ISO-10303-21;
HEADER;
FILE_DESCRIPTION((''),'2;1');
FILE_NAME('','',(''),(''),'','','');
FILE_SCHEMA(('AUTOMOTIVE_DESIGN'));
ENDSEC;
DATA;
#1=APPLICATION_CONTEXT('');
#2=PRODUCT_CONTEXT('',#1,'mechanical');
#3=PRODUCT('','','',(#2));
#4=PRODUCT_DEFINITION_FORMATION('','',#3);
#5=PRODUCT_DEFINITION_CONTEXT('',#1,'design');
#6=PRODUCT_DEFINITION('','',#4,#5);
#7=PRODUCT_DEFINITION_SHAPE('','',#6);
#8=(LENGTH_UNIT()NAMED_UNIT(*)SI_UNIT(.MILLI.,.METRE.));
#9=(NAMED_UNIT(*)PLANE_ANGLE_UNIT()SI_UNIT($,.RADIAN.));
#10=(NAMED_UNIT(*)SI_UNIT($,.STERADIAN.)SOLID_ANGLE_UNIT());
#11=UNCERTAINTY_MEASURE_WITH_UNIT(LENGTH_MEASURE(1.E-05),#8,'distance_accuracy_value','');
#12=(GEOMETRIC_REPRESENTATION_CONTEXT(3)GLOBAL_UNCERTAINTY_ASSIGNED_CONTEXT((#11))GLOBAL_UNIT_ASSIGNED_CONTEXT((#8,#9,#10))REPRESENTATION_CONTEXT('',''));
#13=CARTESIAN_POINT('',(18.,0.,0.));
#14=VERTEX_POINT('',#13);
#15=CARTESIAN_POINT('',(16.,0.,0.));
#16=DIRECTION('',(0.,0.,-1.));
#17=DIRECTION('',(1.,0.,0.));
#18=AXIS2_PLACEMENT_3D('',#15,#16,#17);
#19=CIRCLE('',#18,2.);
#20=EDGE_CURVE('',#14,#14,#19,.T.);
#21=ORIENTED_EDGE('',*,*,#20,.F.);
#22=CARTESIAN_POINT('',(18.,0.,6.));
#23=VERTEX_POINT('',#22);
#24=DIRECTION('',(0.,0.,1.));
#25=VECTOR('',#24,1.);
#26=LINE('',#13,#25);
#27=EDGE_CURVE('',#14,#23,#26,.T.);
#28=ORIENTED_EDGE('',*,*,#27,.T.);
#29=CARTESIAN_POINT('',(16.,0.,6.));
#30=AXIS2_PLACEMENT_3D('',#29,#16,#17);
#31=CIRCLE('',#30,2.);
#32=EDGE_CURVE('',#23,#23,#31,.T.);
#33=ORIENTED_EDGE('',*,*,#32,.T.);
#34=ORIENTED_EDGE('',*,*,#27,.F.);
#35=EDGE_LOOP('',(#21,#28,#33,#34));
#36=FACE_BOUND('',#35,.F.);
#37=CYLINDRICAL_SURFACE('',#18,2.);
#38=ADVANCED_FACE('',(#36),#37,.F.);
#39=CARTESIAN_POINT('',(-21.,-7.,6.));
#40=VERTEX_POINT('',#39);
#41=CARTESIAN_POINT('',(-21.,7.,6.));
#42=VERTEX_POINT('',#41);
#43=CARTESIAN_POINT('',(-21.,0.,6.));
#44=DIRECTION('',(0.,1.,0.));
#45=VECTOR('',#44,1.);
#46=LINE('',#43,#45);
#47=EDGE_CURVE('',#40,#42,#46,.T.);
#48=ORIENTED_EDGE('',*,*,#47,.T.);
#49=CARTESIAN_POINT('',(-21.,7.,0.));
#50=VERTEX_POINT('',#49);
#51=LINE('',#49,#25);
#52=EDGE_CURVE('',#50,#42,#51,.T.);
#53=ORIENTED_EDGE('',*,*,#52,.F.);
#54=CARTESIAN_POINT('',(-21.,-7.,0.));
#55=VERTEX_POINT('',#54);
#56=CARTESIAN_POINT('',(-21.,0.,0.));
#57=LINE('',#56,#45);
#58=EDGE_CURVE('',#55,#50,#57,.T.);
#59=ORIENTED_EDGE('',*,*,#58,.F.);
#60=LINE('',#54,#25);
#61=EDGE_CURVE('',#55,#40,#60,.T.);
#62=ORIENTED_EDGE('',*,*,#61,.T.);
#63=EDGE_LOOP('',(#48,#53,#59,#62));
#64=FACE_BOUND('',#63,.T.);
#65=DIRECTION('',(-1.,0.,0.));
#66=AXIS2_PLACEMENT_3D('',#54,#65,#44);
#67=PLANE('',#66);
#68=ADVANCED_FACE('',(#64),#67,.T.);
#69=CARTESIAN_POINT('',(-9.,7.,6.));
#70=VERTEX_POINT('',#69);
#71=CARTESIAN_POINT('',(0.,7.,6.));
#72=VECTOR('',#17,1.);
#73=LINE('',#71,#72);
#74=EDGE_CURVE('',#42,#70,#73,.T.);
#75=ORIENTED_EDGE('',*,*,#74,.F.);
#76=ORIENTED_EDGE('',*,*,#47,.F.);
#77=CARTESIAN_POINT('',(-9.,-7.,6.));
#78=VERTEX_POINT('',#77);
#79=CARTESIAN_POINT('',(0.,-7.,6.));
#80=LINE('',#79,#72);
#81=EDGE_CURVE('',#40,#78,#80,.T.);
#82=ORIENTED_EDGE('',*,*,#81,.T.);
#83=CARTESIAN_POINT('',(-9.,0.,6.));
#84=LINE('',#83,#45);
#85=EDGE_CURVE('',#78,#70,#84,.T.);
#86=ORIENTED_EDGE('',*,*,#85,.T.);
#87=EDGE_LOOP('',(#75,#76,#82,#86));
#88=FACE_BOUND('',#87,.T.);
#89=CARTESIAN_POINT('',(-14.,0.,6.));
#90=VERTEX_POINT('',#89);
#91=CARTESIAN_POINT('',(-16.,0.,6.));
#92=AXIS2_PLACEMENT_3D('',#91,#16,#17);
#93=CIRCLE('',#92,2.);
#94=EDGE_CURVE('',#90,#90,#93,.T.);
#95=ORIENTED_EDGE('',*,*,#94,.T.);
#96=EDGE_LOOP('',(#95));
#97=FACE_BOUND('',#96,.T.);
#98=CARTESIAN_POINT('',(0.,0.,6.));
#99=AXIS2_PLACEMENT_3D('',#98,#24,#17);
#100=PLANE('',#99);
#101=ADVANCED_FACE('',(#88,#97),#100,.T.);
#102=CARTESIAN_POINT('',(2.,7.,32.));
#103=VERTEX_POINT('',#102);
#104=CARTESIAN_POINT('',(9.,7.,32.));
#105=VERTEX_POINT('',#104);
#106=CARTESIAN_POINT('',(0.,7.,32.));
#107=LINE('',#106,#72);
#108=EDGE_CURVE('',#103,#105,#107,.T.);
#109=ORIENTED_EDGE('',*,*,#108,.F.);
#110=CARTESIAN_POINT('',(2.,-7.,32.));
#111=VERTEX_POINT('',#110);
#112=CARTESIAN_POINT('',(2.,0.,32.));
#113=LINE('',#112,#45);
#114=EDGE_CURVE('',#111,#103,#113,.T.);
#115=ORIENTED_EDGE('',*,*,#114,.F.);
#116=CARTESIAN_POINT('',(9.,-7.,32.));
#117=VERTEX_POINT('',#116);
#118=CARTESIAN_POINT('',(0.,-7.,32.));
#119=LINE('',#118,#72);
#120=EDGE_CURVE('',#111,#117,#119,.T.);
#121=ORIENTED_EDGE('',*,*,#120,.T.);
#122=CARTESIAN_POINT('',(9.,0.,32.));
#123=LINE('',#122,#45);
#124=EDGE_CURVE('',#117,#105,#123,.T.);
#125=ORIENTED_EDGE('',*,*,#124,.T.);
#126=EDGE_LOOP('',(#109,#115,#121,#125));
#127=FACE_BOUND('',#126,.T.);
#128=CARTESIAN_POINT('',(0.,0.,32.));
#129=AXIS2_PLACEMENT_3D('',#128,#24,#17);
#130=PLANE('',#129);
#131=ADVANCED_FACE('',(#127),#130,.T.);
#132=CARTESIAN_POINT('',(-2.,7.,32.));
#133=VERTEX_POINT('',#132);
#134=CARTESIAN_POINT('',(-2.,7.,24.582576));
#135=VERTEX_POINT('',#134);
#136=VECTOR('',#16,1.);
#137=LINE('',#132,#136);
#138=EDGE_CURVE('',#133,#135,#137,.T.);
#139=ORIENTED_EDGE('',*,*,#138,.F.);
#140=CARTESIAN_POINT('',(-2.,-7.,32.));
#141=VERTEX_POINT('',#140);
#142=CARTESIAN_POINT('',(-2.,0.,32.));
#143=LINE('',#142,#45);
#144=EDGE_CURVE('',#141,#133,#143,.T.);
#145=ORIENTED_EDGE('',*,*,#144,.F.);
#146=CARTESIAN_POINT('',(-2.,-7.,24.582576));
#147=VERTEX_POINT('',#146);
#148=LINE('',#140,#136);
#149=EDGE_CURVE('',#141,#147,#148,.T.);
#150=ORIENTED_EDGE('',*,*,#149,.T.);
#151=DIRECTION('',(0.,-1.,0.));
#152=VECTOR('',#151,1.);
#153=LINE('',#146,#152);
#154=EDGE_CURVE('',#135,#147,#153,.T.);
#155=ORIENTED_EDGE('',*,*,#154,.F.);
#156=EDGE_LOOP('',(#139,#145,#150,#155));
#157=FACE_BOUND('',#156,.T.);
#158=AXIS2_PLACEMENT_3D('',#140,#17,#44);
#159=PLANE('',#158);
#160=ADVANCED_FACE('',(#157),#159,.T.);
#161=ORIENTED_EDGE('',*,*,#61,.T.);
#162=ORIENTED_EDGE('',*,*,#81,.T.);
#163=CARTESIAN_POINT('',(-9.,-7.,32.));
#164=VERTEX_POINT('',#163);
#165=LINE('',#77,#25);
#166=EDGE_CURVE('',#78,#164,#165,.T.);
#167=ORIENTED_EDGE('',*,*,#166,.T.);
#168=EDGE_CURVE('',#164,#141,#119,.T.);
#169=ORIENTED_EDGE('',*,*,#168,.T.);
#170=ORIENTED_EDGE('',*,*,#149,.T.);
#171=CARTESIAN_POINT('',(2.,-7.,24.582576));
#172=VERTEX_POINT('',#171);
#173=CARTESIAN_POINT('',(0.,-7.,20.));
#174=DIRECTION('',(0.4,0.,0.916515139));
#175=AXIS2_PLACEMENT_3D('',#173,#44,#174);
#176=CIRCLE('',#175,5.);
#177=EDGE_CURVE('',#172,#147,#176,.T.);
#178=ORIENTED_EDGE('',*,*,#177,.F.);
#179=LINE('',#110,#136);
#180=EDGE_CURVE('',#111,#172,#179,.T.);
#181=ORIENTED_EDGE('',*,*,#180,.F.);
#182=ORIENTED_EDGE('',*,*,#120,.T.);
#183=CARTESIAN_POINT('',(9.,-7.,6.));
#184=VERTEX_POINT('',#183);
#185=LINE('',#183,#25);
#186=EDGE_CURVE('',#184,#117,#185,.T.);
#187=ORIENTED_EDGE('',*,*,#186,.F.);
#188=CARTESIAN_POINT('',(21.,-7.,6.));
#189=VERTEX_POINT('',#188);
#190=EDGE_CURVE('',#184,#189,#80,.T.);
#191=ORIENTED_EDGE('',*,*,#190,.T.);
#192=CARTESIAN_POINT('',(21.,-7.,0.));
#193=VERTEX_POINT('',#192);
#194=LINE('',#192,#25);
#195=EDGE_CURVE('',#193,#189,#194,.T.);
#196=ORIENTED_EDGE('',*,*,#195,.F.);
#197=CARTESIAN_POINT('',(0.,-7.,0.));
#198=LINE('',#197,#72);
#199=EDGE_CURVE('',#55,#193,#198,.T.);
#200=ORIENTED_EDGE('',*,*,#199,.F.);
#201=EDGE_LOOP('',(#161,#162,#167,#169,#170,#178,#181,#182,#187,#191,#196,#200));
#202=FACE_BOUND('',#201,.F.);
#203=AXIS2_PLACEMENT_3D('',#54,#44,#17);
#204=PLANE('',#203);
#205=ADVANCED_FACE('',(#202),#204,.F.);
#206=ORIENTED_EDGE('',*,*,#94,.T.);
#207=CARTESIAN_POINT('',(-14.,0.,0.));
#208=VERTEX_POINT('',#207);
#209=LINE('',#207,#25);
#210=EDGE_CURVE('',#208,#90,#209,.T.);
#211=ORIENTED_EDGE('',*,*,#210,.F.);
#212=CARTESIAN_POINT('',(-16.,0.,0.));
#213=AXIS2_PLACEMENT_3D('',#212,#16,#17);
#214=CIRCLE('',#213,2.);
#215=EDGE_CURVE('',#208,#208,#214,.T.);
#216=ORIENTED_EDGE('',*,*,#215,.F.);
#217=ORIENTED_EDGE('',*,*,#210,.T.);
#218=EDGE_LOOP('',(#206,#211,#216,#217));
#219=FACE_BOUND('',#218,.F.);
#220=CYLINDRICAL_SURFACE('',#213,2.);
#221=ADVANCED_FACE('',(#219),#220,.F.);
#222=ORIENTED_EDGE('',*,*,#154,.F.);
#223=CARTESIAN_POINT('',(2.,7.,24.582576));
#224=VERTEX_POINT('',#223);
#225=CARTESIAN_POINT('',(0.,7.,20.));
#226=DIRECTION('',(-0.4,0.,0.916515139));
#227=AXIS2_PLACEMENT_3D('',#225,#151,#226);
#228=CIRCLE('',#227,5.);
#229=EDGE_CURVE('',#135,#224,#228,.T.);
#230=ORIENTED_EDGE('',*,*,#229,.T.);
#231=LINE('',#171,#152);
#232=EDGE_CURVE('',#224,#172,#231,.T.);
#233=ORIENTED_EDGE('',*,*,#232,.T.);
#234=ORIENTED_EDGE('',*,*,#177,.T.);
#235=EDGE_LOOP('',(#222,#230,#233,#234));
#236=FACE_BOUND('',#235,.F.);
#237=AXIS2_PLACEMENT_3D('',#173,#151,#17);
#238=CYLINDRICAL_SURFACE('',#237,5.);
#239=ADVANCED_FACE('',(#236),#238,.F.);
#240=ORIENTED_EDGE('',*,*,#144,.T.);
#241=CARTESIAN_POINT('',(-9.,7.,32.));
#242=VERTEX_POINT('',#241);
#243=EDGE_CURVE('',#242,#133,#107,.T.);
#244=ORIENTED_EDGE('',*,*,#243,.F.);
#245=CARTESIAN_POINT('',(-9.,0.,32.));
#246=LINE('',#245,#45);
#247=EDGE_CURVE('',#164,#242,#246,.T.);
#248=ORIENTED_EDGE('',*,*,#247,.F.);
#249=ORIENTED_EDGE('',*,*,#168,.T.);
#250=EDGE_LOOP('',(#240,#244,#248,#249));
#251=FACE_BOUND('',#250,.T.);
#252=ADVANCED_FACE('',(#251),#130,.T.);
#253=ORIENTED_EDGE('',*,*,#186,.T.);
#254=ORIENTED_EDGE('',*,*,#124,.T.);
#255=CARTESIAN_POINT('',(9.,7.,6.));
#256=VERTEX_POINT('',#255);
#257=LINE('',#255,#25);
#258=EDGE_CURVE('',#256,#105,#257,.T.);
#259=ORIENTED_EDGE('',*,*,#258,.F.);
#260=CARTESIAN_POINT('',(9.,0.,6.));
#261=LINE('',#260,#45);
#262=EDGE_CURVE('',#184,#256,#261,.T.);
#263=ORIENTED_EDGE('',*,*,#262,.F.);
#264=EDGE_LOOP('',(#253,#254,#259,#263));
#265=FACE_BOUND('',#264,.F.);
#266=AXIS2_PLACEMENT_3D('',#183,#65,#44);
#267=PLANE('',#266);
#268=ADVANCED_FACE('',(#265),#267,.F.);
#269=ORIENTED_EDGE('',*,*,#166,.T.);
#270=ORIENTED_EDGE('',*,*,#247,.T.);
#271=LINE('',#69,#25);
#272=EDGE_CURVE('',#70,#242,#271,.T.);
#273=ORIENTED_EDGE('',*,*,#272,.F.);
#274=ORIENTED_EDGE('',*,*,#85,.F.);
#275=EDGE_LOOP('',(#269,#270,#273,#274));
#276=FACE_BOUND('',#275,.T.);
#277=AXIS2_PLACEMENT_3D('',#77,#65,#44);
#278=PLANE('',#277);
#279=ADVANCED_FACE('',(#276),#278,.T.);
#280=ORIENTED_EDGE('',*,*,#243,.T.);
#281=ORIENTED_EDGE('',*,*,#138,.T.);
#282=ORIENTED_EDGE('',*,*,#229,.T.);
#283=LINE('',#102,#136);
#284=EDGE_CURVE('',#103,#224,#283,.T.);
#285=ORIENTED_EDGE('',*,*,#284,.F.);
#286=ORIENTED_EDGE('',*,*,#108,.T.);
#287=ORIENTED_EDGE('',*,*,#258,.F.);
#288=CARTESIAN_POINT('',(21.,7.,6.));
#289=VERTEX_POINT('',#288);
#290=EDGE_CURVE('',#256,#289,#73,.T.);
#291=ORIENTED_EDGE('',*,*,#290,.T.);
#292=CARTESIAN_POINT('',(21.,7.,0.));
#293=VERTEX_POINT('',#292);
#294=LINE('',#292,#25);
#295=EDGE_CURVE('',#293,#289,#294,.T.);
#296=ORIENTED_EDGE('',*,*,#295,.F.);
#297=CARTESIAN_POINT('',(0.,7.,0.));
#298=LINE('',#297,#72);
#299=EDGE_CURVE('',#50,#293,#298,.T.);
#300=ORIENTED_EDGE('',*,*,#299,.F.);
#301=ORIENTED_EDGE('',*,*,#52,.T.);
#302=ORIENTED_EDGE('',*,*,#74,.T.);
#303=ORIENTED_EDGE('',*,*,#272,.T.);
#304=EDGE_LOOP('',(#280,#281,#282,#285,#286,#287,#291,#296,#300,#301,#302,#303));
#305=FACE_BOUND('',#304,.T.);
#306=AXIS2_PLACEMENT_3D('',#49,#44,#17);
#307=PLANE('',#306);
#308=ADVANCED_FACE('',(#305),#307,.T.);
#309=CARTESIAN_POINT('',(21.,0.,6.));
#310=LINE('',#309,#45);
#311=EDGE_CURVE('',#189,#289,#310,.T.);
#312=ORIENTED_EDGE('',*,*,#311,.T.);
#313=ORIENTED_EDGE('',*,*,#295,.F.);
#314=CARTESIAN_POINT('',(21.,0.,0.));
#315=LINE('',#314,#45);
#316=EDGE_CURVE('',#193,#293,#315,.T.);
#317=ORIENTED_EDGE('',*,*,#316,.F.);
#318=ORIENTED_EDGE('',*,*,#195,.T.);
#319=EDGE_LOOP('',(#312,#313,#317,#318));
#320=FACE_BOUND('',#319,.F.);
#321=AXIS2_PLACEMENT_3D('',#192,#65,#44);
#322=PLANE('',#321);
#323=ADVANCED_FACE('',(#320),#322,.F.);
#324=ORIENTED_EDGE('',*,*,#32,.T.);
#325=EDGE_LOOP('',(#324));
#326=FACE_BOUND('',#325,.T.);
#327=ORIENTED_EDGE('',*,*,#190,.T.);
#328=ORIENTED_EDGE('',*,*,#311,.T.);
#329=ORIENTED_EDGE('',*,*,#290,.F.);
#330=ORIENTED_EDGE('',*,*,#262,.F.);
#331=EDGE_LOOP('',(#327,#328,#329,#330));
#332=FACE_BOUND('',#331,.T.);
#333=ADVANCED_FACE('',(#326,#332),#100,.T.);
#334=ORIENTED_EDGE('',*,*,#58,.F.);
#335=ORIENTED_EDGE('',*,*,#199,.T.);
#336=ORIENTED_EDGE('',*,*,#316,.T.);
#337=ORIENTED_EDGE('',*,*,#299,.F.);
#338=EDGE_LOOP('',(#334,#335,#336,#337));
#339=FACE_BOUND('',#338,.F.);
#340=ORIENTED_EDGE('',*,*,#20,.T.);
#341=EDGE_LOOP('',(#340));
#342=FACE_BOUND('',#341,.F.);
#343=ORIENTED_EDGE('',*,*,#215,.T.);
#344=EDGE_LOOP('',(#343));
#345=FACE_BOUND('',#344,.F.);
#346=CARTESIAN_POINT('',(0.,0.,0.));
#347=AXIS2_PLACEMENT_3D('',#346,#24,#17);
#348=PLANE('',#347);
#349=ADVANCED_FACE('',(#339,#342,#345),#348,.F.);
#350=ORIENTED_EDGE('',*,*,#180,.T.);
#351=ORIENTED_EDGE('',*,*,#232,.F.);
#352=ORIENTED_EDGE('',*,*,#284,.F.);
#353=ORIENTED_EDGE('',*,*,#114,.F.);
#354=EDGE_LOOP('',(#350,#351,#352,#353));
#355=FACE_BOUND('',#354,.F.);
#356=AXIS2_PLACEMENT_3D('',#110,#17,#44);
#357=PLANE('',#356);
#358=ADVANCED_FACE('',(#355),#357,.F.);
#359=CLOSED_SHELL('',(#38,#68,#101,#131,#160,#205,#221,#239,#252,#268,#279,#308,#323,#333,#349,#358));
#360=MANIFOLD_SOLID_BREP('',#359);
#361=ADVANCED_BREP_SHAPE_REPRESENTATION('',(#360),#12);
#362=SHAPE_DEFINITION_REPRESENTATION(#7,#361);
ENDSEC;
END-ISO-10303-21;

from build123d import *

# Parameters (mm, degrees)
F0_W      = 42
F0_H      = 14
F1_DEPTH  = 6
F2_W      = 18
F2_H      = 14
F3_DEPTH  = 26
F4_R      = 5
F5_DEPTH  = 14
F7_W      = 4
F7_H      = 14
F8_DEPTH  = 14
F10_R     = 2
F11_DEPTH = 25


with BuildPart() as f1:
    # F0 (on Top) → F1 (new body)
    with BuildSketch(Plane.XY):
        Rectangle(F0_W, F0_H)
    extrude(amount=F1_DEPTH)

    # F2 (on face) → F3 (join)
    with BuildSketch(Plane.XY.offset(6)):
        Rectangle(F2_W, F2_H)
    extrude(amount=F3_DEPTH)

    # F4 (on face) → F5 (cut, through all)
    with BuildSketch(Plane.XZ.offset(7)):
        with Locations((0, 20)):
            Circle(F4_R)
    extrude(amount=-F5_DEPTH, mode=Mode.SUBTRACT)

    # F7 (on face) → F8 (cut)
    with BuildSketch(Plane.XY.offset(32)):
        Rectangle(F7_W, F7_H)
    extrude(amount=-F8_DEPTH, mode=Mode.SUBTRACT)

    # F10 (on face) → F11 (cut)
    with BuildSketch(Plane(origin=(0, 0, 0), x_dir=(1, 0, 0), z_dir=(0, 0, -1))):
        with Locations((16, 0)):
            Circle(F10_R)
        with Locations((-16, 0)):
            Circle(F10_R)
    extrude(amount=-F11_DEPTH, mode=Mode.SUBTRACT)


solid = f1.part
